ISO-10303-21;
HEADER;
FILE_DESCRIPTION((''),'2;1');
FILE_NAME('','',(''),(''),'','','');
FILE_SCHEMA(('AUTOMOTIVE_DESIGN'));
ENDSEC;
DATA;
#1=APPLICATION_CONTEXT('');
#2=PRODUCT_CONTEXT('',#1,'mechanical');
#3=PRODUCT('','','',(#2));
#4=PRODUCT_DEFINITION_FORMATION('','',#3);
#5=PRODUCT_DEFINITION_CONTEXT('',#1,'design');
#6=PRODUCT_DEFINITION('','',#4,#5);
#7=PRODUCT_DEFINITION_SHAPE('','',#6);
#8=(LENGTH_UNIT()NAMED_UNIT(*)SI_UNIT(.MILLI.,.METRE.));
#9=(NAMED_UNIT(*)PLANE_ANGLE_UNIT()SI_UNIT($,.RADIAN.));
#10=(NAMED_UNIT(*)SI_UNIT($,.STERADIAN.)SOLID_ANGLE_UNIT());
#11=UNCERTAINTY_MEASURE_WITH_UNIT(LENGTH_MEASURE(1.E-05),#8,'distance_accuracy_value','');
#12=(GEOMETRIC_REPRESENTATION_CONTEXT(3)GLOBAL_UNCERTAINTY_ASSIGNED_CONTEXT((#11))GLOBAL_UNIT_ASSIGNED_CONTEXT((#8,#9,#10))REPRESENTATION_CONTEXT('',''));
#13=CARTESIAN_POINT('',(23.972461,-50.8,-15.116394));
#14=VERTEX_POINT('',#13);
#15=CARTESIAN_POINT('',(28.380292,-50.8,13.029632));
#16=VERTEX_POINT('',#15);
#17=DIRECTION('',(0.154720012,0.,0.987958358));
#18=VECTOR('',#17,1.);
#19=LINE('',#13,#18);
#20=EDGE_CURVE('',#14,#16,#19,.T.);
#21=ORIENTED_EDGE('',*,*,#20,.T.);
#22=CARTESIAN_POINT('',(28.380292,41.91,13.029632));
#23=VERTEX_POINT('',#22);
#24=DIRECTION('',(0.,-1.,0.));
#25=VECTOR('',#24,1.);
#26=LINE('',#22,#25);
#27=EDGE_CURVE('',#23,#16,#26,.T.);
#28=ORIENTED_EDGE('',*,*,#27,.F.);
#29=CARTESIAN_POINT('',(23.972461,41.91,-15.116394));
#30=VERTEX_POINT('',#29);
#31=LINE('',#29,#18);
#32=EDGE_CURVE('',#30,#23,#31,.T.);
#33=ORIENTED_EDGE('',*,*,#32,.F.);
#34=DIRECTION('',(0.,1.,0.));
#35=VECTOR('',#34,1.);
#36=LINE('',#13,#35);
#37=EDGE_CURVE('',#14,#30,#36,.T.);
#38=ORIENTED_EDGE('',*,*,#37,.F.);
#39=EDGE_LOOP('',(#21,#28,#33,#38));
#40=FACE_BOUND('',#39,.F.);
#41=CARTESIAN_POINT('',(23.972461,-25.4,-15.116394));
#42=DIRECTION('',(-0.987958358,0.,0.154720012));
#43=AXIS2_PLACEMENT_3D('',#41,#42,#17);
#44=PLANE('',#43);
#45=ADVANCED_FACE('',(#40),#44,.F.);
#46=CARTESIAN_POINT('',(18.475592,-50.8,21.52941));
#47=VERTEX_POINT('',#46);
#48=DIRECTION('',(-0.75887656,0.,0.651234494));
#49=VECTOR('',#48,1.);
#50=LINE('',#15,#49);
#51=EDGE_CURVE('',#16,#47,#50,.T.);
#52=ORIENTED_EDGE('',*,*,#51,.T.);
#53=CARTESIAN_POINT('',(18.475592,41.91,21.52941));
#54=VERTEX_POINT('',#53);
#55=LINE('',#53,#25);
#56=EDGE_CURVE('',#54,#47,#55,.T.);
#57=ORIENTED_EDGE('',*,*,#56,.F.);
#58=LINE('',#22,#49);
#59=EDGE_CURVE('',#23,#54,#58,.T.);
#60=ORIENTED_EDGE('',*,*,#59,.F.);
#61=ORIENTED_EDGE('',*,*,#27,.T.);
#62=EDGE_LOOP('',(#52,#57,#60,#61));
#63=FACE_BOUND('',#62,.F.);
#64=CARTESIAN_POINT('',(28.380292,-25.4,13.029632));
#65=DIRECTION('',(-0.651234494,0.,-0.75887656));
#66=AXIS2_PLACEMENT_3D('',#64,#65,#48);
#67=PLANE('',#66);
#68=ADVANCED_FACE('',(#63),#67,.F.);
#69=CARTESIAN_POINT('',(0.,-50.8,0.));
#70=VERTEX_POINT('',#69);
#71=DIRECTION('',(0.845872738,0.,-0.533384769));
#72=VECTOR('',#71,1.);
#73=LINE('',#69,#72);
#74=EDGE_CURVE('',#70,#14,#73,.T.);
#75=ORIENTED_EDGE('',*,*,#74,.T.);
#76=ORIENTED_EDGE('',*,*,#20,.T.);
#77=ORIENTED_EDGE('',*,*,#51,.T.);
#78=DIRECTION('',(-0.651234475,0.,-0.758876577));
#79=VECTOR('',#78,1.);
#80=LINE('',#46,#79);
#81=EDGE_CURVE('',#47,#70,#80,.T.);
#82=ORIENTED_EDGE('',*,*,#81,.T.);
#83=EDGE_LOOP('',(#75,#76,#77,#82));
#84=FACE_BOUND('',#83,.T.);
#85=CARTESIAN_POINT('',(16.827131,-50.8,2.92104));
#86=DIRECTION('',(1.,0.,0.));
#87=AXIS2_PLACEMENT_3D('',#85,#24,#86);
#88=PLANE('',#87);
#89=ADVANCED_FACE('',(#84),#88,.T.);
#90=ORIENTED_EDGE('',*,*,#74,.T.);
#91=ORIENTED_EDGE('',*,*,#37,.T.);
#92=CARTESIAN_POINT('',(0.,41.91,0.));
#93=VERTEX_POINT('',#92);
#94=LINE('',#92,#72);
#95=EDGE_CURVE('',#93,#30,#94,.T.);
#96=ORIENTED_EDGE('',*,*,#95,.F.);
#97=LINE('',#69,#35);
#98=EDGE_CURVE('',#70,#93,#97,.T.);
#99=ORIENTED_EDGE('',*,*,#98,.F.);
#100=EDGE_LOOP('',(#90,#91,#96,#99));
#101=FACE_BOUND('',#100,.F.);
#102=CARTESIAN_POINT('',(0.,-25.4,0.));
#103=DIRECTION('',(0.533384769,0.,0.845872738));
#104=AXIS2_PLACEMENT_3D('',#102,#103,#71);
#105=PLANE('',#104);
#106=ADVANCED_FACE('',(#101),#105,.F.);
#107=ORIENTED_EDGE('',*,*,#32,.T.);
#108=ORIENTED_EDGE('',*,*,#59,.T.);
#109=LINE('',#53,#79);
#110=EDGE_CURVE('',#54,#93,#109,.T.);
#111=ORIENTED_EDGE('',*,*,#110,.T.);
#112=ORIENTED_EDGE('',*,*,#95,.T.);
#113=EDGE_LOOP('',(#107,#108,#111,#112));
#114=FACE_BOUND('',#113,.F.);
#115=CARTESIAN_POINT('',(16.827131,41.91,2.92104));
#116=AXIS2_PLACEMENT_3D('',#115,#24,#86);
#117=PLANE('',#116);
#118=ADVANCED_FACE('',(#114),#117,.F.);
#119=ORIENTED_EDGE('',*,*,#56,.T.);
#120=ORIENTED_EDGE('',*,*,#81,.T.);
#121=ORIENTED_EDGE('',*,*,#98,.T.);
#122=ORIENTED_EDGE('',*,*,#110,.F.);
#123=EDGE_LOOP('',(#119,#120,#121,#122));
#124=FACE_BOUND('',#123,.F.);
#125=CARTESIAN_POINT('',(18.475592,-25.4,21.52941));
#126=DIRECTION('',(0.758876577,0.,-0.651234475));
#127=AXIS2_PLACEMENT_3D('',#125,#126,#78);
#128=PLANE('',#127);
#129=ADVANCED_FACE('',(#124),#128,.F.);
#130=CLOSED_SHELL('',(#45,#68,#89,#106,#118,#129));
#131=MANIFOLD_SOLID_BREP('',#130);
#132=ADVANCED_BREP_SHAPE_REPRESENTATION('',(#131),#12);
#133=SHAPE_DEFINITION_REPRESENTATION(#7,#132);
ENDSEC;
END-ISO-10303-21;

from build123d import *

# Parameters (mm, degrees)
F1_DEPTH      = 25.4
F1_DEPTH_BACK = 41.91
F3_DEPTH      = 25.4


with BuildPart() as f1:
    # F0 (on Front) → F1 (new body, two sides)
    with BuildSketch(Plane.XZ) as f1_sk:
        Polygon((18.475592, 21.52941), (0, 0), (23.972461, -15.116394), (28.380292, 13.029632), align=None)
    extrude(amount=F1_DEPTH)
    extrude(f1_sk.sketch, amount=-F1_DEPTH_BACK)

    # F1_face (on face) → F3 (join)
    with BuildSketch(Plane(origin=(16.840593, -25.4, 3.373244), x_dir=(1, 0, 0), z_dir=(0, -1, 0))):
        Polygon((7.131868, -18.489638), (11.539699, 9.656388), (1.634999, 18.156166), (-16.840593, -3.373244), align=None)
    extrude(amount=F3_DEPTH)


solid = f1.part
